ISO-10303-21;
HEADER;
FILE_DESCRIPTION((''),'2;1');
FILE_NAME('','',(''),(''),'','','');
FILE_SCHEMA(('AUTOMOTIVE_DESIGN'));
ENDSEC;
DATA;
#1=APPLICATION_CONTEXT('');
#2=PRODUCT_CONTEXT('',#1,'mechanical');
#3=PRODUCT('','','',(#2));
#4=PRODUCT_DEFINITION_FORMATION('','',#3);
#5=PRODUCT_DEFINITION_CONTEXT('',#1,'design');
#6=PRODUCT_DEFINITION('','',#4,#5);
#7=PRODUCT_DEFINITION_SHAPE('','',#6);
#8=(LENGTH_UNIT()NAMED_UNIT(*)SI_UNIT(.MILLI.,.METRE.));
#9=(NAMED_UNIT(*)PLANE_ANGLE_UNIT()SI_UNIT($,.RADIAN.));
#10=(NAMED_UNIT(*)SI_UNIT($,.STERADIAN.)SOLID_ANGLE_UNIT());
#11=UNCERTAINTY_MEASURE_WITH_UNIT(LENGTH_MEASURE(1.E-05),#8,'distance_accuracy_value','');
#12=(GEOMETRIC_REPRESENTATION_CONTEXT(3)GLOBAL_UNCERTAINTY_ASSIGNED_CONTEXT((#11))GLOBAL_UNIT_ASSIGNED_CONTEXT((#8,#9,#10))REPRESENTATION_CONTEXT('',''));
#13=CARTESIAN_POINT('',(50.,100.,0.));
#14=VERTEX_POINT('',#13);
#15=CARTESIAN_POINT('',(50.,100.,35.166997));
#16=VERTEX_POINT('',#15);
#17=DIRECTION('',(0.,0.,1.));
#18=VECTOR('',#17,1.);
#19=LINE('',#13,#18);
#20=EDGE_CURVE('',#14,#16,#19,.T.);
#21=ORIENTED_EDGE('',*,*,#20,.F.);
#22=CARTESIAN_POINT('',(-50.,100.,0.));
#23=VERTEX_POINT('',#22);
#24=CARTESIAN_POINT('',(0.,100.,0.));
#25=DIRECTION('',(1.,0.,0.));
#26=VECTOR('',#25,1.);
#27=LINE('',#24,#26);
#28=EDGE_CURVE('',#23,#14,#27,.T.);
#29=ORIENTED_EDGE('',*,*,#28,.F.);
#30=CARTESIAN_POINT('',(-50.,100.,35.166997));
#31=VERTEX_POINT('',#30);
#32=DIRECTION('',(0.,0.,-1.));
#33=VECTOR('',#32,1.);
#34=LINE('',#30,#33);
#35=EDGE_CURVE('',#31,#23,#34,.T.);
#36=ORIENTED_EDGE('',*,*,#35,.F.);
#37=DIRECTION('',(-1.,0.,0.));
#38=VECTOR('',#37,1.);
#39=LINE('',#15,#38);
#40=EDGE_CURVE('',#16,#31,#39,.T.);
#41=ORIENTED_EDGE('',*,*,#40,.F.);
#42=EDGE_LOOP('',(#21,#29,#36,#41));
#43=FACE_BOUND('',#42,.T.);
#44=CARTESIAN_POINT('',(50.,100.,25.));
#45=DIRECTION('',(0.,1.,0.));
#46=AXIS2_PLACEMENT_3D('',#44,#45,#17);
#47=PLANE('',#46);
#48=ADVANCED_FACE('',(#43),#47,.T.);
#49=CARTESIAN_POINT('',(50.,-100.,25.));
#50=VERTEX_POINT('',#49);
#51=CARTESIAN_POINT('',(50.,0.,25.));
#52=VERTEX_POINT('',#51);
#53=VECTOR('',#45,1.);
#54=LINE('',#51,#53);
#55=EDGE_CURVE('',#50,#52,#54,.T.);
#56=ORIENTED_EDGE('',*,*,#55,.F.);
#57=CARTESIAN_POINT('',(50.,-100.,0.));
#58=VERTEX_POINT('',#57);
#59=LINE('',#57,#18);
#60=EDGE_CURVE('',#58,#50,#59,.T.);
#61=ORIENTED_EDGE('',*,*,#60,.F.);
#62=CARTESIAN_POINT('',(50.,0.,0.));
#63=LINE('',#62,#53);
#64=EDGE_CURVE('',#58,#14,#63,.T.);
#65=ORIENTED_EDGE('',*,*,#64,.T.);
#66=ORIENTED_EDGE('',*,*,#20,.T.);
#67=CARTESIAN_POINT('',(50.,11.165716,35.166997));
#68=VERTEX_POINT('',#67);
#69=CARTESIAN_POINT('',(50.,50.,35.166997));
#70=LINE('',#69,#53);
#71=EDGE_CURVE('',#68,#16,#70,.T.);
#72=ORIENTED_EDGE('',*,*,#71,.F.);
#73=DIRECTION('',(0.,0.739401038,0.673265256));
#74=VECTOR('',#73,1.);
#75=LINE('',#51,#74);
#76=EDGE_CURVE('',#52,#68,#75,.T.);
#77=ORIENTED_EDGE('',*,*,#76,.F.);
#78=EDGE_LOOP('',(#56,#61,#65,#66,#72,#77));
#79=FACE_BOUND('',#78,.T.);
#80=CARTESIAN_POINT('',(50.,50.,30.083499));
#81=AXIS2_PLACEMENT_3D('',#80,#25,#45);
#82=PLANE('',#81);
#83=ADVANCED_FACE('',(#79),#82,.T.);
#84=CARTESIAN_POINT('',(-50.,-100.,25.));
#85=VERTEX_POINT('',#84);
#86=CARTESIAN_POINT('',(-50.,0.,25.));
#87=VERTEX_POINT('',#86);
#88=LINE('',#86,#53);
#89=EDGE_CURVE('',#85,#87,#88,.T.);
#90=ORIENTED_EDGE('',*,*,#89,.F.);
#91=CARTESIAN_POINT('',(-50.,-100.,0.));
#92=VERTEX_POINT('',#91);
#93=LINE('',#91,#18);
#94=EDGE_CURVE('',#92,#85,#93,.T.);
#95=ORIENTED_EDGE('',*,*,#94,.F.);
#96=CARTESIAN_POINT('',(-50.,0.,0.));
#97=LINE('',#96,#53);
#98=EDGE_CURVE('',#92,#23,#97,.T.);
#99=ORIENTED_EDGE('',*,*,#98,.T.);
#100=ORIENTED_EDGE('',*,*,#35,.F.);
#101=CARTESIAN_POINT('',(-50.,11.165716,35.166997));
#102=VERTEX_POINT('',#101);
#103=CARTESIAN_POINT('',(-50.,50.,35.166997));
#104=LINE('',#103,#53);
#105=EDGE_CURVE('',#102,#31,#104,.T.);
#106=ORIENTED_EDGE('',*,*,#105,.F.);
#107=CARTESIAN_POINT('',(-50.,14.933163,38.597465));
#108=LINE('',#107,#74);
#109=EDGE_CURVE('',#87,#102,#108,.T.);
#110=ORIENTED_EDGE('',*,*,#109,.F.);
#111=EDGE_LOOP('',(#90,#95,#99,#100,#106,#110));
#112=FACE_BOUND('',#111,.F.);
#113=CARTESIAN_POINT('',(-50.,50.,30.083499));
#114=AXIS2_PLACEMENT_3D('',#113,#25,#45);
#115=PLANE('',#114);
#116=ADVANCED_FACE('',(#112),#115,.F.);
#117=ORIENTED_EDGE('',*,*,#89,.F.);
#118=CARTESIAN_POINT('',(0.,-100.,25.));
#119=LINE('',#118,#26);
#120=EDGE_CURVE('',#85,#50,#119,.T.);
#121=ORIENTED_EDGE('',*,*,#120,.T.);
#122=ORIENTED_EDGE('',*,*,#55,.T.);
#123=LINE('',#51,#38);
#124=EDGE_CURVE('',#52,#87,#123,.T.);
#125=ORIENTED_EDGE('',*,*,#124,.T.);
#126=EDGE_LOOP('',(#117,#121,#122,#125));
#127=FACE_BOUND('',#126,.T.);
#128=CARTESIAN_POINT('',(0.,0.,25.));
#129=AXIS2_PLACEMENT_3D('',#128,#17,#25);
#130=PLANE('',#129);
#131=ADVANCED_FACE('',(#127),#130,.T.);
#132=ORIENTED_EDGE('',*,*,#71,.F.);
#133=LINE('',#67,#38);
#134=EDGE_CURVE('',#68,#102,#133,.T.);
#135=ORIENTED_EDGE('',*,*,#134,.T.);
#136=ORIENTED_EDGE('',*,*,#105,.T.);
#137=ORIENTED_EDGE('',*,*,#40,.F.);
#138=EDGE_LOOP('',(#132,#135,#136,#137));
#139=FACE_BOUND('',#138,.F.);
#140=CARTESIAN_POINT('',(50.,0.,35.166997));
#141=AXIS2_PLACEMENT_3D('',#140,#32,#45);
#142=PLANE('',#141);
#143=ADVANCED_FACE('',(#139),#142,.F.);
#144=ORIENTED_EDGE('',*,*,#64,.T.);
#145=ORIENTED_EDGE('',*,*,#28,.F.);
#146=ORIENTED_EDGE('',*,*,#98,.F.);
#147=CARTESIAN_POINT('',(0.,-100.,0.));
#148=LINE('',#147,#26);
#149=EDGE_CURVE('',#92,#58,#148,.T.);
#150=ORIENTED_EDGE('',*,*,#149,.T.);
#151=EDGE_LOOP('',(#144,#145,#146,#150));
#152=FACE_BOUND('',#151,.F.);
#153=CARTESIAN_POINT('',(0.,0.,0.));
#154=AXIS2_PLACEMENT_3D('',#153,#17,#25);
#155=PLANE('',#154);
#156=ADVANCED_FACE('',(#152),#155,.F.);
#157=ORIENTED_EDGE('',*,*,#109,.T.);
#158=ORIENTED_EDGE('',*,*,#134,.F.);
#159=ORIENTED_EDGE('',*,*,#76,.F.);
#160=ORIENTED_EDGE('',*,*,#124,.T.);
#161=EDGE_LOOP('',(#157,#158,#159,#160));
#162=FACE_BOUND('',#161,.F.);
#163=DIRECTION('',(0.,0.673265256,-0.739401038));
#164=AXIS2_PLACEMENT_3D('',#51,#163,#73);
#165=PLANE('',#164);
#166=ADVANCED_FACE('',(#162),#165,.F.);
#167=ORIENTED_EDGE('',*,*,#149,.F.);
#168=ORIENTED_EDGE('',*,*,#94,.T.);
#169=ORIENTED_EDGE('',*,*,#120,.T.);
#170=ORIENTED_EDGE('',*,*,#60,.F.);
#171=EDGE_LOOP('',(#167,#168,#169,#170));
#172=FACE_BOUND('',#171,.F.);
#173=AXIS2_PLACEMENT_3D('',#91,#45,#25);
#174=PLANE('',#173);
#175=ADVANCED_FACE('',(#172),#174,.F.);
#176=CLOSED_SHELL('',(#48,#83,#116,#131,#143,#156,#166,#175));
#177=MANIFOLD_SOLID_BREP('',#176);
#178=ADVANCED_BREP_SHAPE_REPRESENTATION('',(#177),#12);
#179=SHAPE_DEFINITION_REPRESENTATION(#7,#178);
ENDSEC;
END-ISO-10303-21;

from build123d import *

# Parameters (mm, degrees)
F0_W     = 100
F0_H     = 200
F1_DEPTH = 25
F2_W     = 100
F2_H     = 10.1669974625
F3_DEPTH = 100
F5_DEPTH = 200


with BuildPart() as f1:
    # F0 (on Top) → F1 (new body)
    with BuildSketch(Plane.XY):
        Rectangle(F0_W, F0_H)
    extrude(amount=F1_DEPTH)

    # F2 (on face) → F3 (join)
    with BuildSketch(Plane.YZ.offset(50)):
        with Locations((50, 30.0834987313)):
            Rectangle(F2_W, F2_H)
    extrude(amount=-F3_DEPTH)

    # F4 (on face) → F5 (cut)
    with BuildSketch(Plane.YZ.offset(50)):
        Polygon((0, 35.1669974625), (0, 25), (11.165715754, 35.1669974625), align=None)
    extrude(amount=-F5_DEPTH, mode=Mode.SUBTRACT)


solid = f1.part
